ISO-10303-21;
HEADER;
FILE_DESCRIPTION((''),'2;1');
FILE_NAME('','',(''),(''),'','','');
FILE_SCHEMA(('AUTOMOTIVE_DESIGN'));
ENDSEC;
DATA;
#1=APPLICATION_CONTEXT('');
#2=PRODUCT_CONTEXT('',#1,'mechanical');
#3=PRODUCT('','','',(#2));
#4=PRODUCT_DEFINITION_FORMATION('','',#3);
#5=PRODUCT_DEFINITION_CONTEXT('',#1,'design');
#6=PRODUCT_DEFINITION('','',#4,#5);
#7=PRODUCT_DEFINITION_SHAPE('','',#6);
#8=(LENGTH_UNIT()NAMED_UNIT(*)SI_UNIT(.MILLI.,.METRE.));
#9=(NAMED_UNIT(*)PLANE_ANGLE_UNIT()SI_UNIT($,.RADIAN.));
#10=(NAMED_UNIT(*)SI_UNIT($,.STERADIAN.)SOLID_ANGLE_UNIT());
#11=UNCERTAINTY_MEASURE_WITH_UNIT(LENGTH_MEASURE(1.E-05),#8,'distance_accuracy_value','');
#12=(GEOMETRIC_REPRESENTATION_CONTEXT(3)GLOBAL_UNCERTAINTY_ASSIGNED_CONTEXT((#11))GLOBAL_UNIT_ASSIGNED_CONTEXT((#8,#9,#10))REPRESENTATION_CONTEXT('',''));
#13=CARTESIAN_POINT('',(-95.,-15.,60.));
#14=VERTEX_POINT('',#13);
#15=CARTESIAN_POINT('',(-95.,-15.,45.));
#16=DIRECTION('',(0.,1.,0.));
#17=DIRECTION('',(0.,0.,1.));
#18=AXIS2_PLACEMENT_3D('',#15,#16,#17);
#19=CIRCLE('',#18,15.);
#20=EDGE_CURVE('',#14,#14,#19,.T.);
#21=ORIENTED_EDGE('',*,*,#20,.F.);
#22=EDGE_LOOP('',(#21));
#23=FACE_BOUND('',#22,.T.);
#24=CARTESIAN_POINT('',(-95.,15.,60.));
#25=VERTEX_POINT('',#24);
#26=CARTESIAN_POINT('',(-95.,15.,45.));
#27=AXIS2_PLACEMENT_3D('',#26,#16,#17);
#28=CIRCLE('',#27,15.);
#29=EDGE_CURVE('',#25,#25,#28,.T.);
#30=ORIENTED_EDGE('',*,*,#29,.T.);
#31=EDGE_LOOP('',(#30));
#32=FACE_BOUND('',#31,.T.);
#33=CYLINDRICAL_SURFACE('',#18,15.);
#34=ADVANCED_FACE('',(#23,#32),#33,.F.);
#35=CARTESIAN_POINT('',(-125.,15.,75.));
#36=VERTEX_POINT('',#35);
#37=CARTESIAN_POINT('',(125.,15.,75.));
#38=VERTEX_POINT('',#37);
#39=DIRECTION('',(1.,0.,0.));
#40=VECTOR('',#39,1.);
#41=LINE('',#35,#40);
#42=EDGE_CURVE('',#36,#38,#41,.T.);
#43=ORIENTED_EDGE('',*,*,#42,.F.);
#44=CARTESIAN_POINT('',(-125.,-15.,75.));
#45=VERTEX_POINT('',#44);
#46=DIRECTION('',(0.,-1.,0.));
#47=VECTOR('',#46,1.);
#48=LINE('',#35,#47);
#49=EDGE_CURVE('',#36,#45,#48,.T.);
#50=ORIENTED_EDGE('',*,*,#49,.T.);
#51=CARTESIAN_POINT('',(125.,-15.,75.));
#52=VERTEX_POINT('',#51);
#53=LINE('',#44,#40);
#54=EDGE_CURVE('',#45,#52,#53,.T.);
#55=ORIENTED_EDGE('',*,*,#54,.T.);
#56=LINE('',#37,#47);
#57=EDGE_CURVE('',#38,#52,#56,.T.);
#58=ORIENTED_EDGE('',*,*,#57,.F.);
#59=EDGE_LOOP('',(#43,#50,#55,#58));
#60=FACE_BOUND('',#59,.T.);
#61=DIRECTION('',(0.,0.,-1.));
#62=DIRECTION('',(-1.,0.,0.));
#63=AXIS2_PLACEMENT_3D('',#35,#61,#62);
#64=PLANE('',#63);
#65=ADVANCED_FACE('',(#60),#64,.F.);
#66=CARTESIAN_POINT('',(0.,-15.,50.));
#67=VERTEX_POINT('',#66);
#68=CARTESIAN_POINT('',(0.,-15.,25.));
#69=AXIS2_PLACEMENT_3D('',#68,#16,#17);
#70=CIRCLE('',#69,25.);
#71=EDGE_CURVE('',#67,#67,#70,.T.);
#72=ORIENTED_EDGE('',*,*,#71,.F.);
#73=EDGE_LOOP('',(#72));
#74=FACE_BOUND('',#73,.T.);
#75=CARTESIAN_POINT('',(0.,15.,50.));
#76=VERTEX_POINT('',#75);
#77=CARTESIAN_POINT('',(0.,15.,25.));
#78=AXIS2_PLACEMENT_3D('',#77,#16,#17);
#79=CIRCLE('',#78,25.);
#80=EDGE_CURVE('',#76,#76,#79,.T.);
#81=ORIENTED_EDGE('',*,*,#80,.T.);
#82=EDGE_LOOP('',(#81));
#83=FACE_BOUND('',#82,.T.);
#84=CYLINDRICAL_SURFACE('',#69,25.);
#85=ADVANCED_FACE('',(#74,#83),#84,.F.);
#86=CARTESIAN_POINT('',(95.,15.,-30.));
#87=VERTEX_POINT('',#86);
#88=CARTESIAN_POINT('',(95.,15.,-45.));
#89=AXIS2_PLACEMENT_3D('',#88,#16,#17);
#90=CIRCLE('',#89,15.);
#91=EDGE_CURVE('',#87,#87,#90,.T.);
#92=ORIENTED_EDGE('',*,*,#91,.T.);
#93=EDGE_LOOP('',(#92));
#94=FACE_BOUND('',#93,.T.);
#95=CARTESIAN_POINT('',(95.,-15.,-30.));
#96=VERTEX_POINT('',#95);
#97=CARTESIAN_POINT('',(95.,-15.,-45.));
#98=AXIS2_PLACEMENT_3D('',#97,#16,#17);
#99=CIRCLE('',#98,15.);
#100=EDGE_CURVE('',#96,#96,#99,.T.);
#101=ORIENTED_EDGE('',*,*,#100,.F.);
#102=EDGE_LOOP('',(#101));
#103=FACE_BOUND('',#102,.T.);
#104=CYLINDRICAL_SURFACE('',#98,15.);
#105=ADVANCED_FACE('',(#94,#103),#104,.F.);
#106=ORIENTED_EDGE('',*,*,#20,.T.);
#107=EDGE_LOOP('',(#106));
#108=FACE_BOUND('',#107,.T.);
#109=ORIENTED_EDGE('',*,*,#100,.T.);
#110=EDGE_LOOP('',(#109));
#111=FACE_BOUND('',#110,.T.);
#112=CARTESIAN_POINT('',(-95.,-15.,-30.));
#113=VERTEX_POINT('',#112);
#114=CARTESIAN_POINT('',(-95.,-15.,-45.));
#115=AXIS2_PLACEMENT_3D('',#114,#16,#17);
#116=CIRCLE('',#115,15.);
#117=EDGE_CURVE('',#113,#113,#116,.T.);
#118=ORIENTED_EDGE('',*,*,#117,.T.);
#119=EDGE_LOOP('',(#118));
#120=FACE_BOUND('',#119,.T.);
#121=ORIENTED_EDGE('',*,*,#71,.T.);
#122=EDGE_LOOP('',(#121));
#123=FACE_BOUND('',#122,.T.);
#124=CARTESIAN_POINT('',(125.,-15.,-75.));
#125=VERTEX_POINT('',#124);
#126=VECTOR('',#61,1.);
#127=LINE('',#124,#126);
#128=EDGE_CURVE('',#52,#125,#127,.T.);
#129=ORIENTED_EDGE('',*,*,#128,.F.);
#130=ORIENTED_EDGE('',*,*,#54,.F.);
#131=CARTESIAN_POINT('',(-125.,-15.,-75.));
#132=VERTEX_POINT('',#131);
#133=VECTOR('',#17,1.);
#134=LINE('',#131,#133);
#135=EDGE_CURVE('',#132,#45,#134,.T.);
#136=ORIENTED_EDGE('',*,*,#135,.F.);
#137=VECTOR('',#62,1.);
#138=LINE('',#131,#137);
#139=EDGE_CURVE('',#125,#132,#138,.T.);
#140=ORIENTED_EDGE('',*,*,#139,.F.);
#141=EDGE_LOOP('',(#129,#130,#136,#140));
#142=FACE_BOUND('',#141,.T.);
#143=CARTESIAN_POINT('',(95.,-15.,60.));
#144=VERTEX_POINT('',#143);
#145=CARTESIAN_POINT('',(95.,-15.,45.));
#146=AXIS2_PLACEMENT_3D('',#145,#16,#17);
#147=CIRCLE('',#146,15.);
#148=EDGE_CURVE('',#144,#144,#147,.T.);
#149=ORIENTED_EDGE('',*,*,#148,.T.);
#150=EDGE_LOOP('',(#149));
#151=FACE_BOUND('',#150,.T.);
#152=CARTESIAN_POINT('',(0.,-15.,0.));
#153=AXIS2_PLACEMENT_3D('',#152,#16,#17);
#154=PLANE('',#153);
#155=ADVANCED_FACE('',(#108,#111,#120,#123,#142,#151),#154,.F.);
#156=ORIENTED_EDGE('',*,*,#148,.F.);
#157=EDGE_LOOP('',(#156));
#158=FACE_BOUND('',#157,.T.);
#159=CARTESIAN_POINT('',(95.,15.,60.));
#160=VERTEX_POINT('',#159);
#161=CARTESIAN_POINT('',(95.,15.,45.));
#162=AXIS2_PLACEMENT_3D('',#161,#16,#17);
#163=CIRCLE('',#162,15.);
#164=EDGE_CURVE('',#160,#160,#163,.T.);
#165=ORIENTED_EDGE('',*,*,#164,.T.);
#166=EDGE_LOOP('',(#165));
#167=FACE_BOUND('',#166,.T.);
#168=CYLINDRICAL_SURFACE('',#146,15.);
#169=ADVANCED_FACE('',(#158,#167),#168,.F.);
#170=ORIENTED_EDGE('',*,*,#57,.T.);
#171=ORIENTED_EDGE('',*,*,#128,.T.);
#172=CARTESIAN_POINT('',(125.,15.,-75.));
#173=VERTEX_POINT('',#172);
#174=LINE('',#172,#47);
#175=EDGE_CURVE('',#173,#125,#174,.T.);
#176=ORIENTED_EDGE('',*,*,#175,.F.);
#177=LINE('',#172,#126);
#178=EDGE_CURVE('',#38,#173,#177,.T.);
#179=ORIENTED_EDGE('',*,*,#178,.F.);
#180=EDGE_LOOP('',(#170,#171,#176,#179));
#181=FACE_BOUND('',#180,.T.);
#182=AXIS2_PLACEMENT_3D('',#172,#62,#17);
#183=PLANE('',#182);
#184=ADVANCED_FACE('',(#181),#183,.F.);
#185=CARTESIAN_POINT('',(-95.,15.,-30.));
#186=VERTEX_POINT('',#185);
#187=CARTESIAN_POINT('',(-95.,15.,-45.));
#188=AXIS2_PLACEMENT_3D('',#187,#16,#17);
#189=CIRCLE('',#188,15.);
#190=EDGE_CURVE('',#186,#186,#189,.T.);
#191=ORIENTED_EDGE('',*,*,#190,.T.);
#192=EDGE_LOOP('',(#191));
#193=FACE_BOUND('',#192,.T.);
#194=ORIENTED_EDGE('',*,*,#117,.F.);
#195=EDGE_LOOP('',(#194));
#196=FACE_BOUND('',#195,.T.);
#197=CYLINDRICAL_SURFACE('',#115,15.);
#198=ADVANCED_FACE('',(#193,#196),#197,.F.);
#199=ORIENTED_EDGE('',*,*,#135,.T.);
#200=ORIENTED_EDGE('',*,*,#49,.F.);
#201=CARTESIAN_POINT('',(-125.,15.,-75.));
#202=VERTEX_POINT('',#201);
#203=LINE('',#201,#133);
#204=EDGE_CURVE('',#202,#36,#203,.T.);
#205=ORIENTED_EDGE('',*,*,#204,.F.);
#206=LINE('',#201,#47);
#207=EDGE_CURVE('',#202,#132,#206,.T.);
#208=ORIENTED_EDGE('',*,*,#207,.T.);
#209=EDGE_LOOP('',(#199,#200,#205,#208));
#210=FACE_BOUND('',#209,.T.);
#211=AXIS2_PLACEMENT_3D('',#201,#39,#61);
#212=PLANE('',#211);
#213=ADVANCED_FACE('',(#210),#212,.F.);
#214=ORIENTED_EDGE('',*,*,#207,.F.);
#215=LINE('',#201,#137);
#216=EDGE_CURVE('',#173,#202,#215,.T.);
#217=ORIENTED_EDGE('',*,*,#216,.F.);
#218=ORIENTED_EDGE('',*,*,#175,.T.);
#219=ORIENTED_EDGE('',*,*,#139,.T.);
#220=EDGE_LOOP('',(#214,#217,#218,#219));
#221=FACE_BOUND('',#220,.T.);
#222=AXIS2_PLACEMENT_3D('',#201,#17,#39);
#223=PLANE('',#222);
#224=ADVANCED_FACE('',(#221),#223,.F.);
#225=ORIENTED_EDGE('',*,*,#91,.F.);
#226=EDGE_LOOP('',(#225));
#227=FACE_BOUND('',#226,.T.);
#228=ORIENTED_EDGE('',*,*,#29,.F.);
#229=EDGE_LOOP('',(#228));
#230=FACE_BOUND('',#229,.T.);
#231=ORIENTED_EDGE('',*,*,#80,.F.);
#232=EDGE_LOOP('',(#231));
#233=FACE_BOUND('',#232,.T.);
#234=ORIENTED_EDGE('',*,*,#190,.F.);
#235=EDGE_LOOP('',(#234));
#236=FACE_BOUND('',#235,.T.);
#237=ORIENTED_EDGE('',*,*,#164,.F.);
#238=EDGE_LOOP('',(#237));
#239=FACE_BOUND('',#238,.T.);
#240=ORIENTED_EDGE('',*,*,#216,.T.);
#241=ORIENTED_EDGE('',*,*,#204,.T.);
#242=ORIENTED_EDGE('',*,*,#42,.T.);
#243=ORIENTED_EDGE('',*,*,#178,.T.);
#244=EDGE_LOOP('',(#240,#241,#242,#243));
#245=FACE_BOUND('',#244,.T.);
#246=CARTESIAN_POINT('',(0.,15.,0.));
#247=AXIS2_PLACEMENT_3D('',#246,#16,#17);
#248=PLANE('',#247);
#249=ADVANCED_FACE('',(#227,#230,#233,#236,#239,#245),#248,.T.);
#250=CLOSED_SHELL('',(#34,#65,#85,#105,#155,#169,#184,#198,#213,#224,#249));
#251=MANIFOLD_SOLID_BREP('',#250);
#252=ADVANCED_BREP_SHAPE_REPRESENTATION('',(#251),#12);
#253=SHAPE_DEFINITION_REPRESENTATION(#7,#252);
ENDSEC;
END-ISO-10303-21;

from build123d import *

# Parameters (mm, degrees)
SKETCH3_W           = 250
SKETCH3_H           = 150
BOSS_EXTRUDE2_DEPTH = 15
SKETCH5_R           = 25
CUT_EXTRUDE1_DEPTH  = 149.828760661
SKETCH6_R           = 15
CUT_EXTRUDE2_DEPTH  = 149.828760661


with BuildPart() as part:
    # Sketch3 → Boss-Extrude2 (new, symmetric)
    with BuildSketch(Plane(origin=(0, 0, 0), x_dir=(1, 0, 0), z_dir=(0, 1, 0))):
        Rectangle(SKETCH3_W, SKETCH3_H)
    extrude(amount=BOSS_EXTRUDE2_DEPTH, both=True)

    # Sketch5 → Cut-Extrude1 (cut, through all)
    with BuildSketch(Plane(origin=(0, 15, 0), x_dir=(1, 0, 0), z_dir=(0, 1, 0))):
        with Locations(Location((0, -25, 0), (0, 0, 270))):
            Circle(SKETCH5_R)
    extrude(amount=-CUT_EXTRUDE1_DEPTH, mode=Mode.SUBTRACT)

    # Sketch6 → Cut-Extrude2 (cut, through all)
    with BuildSketch(Plane(origin=(0, 15, 0), x_dir=(1, 0, 0), z_dir=(0, 1, 0))):
        with Locations(Location((-95, -45, 0), (0, 0, 270))):
            Circle(SKETCH6_R)
        with Locations(Location((95, -45, 0), (0, 0, 270))):
            Circle(SKETCH6_R)
        with Locations(Location((95, 45, 0), (0, 0, 270))):
            Circle(SKETCH6_R)
        with Locations(Location((-95, 45, 0), (0, 0, 270))):
            Circle(SKETCH6_R)
    extrude(amount=-CUT_EXTRUDE2_DEPTH, mode=Mode.SUBTRACT)


solid = part.part
